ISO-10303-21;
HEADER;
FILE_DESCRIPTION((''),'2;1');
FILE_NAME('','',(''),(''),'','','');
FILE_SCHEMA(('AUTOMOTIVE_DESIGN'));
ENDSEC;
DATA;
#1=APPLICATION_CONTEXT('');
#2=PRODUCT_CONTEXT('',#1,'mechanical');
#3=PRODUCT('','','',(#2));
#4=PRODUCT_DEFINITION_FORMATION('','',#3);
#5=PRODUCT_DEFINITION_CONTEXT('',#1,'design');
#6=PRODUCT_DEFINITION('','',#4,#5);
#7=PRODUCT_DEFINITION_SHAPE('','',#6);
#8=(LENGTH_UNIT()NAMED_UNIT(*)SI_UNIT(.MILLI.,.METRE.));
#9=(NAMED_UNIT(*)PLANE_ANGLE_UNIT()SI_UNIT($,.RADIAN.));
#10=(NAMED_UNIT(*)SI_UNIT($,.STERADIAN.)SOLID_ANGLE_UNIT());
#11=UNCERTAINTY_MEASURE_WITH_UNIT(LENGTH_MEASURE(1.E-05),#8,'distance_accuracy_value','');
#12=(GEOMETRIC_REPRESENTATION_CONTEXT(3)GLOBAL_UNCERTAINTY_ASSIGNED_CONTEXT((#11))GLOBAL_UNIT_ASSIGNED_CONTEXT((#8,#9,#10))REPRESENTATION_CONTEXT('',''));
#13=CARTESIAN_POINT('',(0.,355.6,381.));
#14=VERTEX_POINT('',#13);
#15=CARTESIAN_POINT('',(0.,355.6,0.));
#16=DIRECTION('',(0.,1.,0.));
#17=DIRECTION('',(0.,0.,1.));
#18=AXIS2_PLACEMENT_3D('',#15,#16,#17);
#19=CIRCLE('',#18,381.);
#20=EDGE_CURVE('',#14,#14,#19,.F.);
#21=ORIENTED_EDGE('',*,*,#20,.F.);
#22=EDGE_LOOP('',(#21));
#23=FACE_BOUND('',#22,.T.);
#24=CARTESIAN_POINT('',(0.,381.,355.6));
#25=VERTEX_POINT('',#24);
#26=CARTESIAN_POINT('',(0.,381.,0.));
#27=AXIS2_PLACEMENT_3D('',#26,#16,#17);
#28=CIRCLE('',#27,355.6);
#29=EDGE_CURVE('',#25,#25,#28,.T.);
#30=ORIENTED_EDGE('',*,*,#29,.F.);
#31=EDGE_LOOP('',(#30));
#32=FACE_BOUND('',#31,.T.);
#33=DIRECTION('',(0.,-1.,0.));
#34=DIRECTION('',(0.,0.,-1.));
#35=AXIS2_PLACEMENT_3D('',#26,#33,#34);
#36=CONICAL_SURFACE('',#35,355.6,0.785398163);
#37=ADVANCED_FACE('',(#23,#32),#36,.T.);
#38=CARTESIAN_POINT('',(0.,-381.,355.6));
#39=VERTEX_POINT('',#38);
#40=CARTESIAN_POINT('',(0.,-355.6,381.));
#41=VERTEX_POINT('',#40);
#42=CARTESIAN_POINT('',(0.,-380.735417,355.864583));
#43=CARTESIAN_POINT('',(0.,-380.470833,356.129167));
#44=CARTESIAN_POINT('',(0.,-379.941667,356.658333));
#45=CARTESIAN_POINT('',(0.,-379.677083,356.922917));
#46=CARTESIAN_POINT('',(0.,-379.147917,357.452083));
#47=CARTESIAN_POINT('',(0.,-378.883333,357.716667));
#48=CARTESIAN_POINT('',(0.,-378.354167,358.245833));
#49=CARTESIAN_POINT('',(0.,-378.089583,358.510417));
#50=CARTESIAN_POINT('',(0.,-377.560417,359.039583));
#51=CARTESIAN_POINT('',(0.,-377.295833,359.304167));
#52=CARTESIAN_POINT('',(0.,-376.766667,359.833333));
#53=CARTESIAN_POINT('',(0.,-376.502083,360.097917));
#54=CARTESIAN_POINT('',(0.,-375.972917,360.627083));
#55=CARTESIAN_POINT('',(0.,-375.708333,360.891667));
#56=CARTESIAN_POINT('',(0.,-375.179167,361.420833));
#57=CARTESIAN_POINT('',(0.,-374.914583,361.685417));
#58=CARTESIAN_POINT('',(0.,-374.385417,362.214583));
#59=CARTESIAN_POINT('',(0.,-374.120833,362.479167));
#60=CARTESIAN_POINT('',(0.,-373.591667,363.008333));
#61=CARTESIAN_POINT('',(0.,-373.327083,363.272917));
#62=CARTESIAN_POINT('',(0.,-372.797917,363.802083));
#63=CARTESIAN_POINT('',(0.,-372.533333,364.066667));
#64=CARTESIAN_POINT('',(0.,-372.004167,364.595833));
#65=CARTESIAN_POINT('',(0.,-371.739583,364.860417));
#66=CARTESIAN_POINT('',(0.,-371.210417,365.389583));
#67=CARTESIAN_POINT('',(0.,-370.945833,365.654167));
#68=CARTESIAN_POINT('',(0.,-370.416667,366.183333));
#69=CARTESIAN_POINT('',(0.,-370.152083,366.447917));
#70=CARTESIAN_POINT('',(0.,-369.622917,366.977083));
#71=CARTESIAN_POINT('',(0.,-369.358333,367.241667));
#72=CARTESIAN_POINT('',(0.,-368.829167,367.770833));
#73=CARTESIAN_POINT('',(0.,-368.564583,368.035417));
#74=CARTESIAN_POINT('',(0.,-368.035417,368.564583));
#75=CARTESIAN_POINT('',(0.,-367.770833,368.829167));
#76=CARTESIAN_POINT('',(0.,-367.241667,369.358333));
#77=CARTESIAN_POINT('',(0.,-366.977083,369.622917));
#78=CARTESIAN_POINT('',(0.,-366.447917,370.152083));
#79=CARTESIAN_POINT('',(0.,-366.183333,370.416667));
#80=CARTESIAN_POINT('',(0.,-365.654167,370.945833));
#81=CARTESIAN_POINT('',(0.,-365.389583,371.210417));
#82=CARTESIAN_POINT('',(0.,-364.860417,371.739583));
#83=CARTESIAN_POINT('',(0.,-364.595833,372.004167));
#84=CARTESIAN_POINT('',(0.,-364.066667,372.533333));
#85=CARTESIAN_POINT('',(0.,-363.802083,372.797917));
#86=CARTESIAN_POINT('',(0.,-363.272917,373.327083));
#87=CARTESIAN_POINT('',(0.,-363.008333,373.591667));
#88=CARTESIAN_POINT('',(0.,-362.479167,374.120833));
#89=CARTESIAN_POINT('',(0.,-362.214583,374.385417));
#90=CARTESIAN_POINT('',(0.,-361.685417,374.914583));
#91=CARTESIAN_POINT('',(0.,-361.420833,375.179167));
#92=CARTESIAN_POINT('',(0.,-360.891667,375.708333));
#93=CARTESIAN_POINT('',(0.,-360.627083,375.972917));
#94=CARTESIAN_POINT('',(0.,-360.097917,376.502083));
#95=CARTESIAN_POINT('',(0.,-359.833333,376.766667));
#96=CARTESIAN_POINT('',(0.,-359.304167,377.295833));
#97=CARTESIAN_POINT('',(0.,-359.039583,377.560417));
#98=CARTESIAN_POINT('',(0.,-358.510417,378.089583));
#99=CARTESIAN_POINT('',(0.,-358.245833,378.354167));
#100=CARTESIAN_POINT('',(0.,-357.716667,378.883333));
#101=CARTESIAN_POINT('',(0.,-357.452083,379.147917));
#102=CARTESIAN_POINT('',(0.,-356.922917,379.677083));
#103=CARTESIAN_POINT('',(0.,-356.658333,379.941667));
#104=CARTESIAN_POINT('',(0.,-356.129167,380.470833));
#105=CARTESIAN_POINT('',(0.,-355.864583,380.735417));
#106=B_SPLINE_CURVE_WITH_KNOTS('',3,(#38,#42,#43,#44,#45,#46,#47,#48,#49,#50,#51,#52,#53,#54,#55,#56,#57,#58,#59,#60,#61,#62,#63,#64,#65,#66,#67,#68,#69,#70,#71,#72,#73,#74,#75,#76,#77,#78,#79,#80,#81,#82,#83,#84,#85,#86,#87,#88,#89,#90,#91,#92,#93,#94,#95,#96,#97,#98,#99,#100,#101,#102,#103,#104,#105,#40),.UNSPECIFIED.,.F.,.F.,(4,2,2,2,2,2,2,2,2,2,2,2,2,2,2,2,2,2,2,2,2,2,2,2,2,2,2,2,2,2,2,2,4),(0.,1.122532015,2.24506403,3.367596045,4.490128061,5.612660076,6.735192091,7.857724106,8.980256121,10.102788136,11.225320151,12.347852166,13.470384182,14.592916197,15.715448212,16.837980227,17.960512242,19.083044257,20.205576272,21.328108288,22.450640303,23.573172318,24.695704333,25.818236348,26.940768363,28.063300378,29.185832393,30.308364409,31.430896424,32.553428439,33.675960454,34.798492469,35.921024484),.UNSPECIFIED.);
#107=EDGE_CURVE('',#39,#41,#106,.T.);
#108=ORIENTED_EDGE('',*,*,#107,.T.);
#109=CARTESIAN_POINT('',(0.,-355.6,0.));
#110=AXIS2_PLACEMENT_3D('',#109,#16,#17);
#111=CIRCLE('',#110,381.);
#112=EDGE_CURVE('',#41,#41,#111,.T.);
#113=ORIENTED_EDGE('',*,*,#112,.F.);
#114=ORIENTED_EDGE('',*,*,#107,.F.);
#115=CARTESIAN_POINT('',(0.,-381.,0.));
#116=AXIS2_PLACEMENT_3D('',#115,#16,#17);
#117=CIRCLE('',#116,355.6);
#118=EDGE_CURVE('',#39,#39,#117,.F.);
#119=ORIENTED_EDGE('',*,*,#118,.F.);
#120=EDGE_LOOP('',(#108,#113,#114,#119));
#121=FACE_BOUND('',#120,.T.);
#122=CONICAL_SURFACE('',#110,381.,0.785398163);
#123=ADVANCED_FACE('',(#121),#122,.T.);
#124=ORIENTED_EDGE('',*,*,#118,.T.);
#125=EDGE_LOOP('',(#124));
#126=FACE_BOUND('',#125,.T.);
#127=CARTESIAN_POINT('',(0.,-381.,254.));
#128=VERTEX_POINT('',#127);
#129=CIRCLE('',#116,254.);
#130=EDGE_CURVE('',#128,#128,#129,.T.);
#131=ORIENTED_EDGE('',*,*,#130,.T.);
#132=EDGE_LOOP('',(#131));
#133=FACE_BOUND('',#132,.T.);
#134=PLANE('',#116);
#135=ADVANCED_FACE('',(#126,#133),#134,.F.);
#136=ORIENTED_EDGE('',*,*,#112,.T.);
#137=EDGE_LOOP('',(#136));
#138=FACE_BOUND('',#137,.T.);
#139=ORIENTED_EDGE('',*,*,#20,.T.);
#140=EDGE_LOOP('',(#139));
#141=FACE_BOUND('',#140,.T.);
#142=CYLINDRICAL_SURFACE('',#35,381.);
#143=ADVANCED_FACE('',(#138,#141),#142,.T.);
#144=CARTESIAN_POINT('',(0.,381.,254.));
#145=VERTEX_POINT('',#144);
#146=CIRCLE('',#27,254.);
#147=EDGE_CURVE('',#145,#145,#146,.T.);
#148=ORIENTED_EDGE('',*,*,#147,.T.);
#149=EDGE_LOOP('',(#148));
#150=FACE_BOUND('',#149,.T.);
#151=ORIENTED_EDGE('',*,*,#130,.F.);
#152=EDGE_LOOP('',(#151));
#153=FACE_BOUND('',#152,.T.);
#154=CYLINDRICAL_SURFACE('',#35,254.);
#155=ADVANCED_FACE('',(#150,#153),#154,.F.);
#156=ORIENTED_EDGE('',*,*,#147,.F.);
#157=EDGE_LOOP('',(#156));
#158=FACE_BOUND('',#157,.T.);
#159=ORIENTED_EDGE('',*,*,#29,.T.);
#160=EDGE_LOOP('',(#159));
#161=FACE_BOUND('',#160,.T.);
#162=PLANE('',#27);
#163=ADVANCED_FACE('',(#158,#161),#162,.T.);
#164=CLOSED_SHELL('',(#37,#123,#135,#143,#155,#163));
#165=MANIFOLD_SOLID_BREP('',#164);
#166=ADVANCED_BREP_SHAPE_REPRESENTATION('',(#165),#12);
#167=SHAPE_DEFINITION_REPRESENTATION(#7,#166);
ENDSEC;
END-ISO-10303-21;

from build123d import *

# Parameters (mm, degrees)
SKETCH1_R           = 381
SKETCH1_R_2         = 254
BOSS_EXTRUDE1_DEPTH = 381
CHAMFER1_SIZE       = 25.4


with BuildPart() as part:
    # Sketch1 → Boss-Extrude1 (new, symmetric)
    with BuildSketch(Plane(origin=(0, 0, 0), x_dir=(1, 0, 0), z_dir=(0, 1, 0))):
        with Locations(Location((0, 0, 0), (0, 0, 270))):
            Circle(SKETCH1_R)
        with Locations(Location((0, 0, 0), (0, 0, 270))):
            Circle(SKETCH1_R_2, mode=Mode.SUBTRACT)
    extrude(amount=BOSS_EXTRUDE1_DEPTH, both=True)

    # Chamfer1
    chamfer1_edges = [part.edges().sort_by_distance(p)[0] for p in [
        (0, -381, -381),
        (0, 381, -381),
    ]]
    chamfer(chamfer1_edges, length=CHAMFER1_SIZE)


solid = part.part
